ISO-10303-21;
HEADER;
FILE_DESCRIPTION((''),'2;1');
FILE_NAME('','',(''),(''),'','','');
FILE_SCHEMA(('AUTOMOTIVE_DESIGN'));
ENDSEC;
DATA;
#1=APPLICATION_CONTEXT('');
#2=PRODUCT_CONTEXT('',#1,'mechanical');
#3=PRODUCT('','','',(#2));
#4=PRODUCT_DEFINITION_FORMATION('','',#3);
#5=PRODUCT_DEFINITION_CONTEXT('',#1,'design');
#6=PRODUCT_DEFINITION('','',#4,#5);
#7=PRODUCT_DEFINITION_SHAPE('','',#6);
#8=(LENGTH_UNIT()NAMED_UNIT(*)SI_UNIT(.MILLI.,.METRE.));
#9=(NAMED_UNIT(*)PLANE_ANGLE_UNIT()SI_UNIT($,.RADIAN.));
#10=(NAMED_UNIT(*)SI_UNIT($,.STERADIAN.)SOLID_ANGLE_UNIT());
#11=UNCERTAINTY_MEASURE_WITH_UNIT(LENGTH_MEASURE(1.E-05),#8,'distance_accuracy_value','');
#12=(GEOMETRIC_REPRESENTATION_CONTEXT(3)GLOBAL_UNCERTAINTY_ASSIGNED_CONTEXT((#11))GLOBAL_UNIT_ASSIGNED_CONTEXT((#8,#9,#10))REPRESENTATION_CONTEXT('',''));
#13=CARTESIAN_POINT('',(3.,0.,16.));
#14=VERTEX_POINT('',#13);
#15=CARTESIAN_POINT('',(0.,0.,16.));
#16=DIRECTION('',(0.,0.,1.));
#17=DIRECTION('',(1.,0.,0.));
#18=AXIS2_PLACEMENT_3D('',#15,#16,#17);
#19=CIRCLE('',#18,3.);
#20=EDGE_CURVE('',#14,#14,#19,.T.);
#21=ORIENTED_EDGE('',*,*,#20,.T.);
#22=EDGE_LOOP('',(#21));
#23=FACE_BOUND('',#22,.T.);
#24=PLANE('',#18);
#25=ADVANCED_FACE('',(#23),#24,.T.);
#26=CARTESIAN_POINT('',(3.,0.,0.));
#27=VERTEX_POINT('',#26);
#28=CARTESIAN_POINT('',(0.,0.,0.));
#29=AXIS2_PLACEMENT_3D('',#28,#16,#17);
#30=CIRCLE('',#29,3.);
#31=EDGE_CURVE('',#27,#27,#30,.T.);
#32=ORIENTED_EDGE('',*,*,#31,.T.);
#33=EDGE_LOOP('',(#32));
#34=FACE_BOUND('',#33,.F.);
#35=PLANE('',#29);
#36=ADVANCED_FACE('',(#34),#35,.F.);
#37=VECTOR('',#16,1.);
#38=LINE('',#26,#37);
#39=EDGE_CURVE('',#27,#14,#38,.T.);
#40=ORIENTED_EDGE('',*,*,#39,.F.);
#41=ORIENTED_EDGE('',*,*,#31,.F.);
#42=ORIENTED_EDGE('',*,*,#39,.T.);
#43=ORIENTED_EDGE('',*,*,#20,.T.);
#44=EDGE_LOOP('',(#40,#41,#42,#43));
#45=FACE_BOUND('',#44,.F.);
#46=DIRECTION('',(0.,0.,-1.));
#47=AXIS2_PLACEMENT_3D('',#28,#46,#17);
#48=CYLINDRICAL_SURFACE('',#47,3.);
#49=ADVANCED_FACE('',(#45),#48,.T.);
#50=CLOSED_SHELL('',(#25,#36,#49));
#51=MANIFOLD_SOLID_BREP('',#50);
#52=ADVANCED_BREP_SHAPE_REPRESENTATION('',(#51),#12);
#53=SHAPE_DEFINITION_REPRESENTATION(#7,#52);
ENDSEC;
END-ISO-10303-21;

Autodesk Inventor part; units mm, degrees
ref_plane "YZ Plane" through (0, 0, 0) normal (1, 0, 0) x (0, 1, 0)
ref_plane "XZ Plane" through (0, 0, 0) normal (0, 1, 0) x (-1, 0, 0)
ref_plane "XY Plane" through (0, 0, 0) normal (0, 0, 1) x (1, 0, 0)
sketch "Sketch1" plane through (0, 0, 0) normal (0, 0, 1) x (1, 0, 0)
  circle A0 centre (0, 0) radius 3
  dimension "d2" = 6
extrude "Extrusion1" add sketch "Sketch1" along normal blind 16
equation "\"d2\" = cabel_roller_ID"
equation "\"d0\" = shaft_length"
equation "\"cabel_roller_ID\" = 6"
equation "\"shaft_length\" = 16"
properties part number "roller_shaft"
